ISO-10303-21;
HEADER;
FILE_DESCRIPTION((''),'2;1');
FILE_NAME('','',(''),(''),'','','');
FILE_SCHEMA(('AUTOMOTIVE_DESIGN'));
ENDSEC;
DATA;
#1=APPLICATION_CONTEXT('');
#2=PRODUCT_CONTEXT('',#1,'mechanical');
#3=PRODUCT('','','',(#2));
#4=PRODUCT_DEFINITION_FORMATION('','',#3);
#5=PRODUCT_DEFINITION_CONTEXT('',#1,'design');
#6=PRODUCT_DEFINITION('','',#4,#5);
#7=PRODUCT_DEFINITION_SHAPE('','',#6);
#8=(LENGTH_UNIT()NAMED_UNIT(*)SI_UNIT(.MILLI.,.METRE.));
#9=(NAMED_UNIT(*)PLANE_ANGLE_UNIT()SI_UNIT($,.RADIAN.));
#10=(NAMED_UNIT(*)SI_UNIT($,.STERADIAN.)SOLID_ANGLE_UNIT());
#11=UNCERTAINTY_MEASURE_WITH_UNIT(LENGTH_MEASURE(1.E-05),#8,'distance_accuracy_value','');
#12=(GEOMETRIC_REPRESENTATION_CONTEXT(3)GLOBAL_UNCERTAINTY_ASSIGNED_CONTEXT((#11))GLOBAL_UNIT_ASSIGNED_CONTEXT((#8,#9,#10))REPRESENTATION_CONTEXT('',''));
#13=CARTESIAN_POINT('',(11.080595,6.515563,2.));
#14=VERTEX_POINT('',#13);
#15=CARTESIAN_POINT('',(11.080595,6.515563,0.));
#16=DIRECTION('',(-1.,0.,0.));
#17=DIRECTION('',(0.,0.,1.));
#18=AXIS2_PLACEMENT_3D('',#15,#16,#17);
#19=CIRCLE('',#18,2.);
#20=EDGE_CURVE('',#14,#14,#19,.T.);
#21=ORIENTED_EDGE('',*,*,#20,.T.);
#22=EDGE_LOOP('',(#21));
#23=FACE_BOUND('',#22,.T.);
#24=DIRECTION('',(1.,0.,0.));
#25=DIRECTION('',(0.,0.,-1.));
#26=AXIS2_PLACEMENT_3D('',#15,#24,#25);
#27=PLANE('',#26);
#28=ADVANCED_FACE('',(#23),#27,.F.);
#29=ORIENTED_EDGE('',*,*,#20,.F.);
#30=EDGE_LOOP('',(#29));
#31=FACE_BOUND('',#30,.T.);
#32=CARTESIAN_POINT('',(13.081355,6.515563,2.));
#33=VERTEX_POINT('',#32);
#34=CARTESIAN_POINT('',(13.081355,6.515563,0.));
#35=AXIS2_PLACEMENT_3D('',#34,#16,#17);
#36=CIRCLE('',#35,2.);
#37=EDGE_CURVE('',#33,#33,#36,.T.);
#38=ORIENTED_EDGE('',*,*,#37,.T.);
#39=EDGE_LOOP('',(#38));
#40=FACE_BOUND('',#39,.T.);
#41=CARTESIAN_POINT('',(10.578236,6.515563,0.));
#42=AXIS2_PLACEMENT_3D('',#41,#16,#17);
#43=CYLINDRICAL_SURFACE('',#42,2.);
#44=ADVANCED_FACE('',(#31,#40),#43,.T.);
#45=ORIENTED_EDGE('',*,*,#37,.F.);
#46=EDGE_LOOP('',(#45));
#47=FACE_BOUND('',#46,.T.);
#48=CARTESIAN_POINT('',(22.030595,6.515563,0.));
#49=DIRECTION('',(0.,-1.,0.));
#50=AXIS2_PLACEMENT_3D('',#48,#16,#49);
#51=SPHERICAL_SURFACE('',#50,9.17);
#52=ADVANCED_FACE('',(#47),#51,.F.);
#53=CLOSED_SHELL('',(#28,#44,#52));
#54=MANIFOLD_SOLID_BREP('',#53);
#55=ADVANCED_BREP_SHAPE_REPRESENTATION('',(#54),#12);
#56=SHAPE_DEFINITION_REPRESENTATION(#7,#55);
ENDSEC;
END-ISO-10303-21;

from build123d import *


with BuildPart() as part:
    # 草图1 → 旋转1 (revolve)
    with BuildSketch(Plane.XY, mode=Mode.PRIVATE) as revolve_1_sk:
        with BuildLine():
            Line((11.080595085, 6.515563046), (11.080595085, 8.515563046))
            Line((11.080595085, 8.515563046), (13.081354894, 8.515563046))
            ThreePointArc((13.081354894, 8.515563046), (12.915952125, 7.521636464), (12.860595085, 6.515563046))
            Line((12.860595085, 6.515563046), (11.080595085, 6.515563046))
        make_face()
    revolve(revolve_1_sk.sketch.rotate(Axis((10.578235961, 6.515563046, 0), (1, 0, 0)), 180), axis=Axis((10.578235961, 6.515563046, 0), (1, 0, 0)))  # turned: the seam where the file's is


solid = part.part
